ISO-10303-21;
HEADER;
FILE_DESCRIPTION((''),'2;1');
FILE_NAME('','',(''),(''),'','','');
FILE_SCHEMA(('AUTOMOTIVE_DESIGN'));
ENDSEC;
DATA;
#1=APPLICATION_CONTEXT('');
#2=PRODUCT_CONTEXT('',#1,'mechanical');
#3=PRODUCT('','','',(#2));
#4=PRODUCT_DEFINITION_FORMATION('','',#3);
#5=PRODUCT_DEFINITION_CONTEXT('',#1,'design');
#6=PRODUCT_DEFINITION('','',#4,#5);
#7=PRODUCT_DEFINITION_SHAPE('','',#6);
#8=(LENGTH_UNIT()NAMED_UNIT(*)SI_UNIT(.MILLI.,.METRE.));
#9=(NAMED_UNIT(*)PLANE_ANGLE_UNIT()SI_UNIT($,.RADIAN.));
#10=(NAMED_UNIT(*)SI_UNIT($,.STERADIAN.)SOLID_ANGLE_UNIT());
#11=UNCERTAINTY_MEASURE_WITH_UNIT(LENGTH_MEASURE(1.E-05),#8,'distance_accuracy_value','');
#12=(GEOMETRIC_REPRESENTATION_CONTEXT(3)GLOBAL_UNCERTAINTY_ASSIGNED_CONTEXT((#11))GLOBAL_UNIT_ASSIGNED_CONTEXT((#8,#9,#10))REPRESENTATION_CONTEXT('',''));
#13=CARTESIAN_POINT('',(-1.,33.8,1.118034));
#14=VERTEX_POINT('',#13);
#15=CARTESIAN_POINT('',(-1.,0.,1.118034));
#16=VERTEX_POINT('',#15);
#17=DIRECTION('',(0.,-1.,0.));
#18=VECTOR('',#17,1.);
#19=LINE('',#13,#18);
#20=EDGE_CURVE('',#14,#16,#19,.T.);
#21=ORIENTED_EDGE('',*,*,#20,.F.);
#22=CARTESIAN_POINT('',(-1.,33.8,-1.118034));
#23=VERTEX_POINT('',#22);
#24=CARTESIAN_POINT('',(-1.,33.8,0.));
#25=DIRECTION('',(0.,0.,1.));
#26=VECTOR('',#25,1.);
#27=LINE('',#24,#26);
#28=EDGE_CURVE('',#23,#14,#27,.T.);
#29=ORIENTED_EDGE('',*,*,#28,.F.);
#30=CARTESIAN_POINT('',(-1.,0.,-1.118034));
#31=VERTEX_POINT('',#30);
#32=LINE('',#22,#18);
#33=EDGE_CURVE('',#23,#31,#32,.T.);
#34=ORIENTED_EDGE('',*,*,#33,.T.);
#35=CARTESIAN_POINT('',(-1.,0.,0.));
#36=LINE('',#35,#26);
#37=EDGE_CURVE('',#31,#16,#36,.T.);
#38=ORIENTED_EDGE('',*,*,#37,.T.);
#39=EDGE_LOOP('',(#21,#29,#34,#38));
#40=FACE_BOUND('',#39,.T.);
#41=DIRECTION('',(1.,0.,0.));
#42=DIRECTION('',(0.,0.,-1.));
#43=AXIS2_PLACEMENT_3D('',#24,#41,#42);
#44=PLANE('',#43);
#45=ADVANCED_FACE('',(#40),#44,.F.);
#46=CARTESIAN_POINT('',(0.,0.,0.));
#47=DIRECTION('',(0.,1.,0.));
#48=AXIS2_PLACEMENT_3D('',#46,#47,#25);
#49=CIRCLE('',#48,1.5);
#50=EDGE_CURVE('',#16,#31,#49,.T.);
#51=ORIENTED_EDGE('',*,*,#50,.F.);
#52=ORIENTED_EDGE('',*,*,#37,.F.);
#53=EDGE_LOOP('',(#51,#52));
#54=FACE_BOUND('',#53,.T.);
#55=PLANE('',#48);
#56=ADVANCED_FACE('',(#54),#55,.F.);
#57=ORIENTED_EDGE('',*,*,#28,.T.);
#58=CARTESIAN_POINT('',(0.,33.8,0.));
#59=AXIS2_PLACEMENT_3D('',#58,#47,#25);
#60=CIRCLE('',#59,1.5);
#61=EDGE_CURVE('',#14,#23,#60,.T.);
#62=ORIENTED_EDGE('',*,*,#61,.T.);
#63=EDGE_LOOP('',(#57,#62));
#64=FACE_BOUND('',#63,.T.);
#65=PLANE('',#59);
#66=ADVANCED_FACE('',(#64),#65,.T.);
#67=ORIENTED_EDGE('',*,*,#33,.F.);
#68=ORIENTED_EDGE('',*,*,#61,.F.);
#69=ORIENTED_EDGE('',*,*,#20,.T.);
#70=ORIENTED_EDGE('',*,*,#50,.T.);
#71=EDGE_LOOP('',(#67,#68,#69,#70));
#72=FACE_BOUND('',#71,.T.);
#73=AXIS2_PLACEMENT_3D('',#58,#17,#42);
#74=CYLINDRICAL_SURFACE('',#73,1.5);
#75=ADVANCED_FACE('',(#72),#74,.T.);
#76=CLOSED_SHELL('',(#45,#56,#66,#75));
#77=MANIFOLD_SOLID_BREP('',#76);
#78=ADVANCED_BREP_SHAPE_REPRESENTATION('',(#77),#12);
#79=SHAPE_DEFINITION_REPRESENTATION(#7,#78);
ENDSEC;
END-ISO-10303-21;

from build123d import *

# Parameters (mm, degrees)
EXTRUDE_1_DEPTH = 33.8


with BuildPart() as part:
    # 草图4 → 凸台-拉伸1 (new body)
    with BuildSketch(Plane(origin=(0, 0, 0), x_dir=(1, 0, 0), z_dir=(0, 1, 0))):
        with BuildLine():
            ThreePointArc((1.5, 0), (0.612372436, 1.369306394), (-1, 1.118033989))
            Line((-1, 1.118033989), (-1, -1.118033989))
            ThreePointArc((-1, -1.118033989), (0.612372436, -1.369306394), (1.5, 0))
        make_face()
    extrude(amount=EXTRUDE_1_DEPTH)


solid = part.part
